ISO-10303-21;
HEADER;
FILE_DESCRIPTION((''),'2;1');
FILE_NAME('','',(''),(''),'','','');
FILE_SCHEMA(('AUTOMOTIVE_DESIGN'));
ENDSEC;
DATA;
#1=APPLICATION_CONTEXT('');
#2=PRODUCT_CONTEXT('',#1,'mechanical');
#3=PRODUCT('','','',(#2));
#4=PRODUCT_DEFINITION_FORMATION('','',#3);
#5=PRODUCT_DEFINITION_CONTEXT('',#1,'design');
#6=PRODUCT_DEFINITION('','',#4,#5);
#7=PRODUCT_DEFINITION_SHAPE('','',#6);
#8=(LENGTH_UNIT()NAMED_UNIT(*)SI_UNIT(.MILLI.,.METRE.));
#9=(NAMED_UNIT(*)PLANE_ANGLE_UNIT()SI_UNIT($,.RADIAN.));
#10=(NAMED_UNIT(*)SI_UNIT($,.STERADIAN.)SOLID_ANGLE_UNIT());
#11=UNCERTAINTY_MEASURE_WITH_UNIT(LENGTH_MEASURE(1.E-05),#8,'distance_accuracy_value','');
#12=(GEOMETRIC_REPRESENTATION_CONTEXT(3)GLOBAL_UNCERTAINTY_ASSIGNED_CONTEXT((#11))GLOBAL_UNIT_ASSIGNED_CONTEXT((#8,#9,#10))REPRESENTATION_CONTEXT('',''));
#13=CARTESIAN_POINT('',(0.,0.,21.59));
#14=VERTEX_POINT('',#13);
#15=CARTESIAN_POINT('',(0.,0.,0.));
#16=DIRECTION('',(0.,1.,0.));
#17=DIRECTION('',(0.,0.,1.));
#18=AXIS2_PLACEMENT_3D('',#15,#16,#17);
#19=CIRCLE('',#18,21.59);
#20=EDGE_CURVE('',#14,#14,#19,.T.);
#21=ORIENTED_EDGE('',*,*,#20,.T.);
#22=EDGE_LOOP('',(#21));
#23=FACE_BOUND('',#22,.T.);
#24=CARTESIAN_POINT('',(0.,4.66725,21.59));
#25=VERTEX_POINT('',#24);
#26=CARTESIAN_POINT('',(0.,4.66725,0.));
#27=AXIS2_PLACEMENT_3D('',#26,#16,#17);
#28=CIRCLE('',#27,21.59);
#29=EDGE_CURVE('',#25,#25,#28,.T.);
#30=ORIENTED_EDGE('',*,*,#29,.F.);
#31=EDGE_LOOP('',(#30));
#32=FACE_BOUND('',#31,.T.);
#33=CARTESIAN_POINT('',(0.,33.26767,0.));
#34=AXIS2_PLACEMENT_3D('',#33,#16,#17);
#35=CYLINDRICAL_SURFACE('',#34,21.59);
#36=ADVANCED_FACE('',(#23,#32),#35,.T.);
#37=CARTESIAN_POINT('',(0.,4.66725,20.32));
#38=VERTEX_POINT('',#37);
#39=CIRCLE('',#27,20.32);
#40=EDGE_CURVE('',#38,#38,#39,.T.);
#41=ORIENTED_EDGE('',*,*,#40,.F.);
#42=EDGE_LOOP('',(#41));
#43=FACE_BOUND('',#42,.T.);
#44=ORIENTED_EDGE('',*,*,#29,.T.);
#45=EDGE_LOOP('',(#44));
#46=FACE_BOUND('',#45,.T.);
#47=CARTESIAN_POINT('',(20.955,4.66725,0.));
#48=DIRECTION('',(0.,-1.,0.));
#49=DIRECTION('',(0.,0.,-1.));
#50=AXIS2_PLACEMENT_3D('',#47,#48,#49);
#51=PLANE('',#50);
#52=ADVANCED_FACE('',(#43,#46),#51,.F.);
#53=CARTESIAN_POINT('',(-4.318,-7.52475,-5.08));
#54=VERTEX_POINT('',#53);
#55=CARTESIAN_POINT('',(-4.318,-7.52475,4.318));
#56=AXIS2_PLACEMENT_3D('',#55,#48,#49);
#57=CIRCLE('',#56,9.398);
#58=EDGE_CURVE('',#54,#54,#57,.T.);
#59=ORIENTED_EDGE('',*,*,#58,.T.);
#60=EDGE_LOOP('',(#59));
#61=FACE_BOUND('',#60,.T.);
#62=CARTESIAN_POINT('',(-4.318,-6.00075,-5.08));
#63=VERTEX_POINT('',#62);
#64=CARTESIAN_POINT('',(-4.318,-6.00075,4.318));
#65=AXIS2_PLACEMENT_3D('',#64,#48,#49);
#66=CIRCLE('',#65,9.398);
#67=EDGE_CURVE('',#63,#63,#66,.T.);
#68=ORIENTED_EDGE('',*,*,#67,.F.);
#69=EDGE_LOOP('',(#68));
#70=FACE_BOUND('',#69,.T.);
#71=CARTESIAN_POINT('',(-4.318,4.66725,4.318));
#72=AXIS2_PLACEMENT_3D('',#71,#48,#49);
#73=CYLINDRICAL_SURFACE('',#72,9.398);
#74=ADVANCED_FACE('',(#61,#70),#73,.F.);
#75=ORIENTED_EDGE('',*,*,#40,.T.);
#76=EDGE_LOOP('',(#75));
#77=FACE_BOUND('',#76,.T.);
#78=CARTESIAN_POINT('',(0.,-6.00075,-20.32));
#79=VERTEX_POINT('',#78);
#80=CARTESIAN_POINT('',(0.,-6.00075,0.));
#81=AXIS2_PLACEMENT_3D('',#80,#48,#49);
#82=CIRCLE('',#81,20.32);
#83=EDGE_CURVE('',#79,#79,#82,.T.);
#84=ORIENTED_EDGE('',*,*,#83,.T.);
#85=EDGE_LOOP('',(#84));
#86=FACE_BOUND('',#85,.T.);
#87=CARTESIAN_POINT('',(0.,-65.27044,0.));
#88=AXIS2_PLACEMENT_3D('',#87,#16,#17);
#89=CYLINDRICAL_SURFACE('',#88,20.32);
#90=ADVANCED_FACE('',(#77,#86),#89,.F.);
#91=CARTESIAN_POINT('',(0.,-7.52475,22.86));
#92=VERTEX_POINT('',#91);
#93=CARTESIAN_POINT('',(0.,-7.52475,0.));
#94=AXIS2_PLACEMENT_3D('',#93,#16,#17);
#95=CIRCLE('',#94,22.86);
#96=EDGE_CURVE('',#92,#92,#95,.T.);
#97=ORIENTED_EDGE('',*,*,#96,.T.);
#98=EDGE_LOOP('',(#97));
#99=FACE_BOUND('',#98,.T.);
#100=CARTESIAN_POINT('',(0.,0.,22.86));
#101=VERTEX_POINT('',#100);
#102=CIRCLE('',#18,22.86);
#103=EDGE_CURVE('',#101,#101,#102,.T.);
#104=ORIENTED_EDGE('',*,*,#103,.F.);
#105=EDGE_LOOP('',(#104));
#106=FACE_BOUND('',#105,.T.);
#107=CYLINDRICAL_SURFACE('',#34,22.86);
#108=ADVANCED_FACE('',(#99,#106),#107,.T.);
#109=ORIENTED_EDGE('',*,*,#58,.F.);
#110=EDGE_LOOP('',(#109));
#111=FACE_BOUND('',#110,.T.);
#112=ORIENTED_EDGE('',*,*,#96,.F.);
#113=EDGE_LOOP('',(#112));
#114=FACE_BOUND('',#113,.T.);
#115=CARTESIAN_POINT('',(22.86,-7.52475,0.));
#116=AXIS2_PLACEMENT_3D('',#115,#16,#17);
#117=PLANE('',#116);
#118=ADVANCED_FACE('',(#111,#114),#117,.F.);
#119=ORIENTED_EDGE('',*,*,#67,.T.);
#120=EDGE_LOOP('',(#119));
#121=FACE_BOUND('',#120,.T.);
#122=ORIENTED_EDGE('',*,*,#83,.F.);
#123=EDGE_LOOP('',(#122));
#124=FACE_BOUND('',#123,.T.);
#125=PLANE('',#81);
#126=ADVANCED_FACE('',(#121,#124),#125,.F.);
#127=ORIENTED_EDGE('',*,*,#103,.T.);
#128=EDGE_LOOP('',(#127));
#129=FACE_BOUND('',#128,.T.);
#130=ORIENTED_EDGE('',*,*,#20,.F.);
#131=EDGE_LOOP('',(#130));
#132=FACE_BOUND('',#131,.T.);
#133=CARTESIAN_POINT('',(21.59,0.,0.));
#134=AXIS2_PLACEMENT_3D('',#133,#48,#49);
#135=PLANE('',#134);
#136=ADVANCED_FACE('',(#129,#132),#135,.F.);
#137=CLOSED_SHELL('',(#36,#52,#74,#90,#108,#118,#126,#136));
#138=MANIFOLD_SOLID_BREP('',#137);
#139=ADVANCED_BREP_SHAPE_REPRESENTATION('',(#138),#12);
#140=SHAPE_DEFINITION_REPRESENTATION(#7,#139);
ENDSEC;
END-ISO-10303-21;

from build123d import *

# Parameters (mm, degrees)
CUT_EXTRUDE1_REACH  = 36.551
SKETCH2_R           = 22.225
SKETCH2_R_2         = 21.59
SKETCH3_R           = 9.398
CUT_EXTRUDE2_DEPTH  = 35.551469781
SKETCH5_R           = 20.955
SKETCH5_R_2         = 20.32
BOSS_EXTRUDE1_DEPTH = 10.668


with BuildPart() as part:
    # Sketch1 → Revolve1 (revolve)
    with BuildSketch(Plane.XY, mode=Mode.PRIVATE) as revolve1_sk:
        Polygon((22.86, 0), (22.86, -7.52475), (0, -7.52475), (0, -6.00075), (20.955, -6.00075), (20.955, 4.66725), (22.225, 4.66725), (22.225, 2.286), (21.59, 2.286), (21.59, 0), (22.225, 0), align=None)
    revolve(revolve1_sk.sketch.rotate(Axis((0, 33.267670174, 0), (0, -1, 0)), 90), axis=Axis((0, 33.267670174, 0), (0, -1, 0)))

    # Sketch2 → Cut-Extrude1 (cut, up to next)
    with BuildSketch(Plane(origin=(0, 4.66725, 0), x_dir=(1, 0, 0), z_dir=(0, 1, 0)), mode=Mode.PRIVATE) as cut_extrude1_sk1:
        Circle(SKETCH2_R)
        with Locations(Location((0, 0, 0), (0, 0, 270))):
            Circle(SKETCH2_R_2, mode=Mode.SUBTRACT)
    cut_extrude1_tool1 = extrude(cut_extrude1_sk1.sketch, amount=-CUT_EXTRUDE1_REACH, mode=Mode.PRIVATE) & part.part
    add(cut_extrude1_tool1.solids().sort_by_distance((-21.596382, 4.66725, 0))[0], mode=Mode.SUBTRACT)

    # Sketch3 → Cut-Extrude2 (cut, through all)
    with BuildSketch(Plane.XZ.offset(7.52475)):
        with Locations(Location((-4.318, 4.318, 0), (0, 0, 270))):
            Circle(SKETCH3_R)
    extrude(amount=-CUT_EXTRUDE2_DEPTH, mode=Mode.SUBTRACT)

    # Sketch5 → Boss-Extrude1 (add)
    with BuildSketch(Plane(origin=(0, 4.66725, 0), x_dir=(1, 0, 0), z_dir=(0, 1, 0))):
        Circle(SKETCH5_R)
        with Locations(Location((0, 0, 0), (0, 0, 270))):
            Circle(SKETCH5_R_2, mode=Mode.SUBTRACT)
    extrude(amount=-BOSS_EXTRUDE1_DEPTH)


solid = part.part
